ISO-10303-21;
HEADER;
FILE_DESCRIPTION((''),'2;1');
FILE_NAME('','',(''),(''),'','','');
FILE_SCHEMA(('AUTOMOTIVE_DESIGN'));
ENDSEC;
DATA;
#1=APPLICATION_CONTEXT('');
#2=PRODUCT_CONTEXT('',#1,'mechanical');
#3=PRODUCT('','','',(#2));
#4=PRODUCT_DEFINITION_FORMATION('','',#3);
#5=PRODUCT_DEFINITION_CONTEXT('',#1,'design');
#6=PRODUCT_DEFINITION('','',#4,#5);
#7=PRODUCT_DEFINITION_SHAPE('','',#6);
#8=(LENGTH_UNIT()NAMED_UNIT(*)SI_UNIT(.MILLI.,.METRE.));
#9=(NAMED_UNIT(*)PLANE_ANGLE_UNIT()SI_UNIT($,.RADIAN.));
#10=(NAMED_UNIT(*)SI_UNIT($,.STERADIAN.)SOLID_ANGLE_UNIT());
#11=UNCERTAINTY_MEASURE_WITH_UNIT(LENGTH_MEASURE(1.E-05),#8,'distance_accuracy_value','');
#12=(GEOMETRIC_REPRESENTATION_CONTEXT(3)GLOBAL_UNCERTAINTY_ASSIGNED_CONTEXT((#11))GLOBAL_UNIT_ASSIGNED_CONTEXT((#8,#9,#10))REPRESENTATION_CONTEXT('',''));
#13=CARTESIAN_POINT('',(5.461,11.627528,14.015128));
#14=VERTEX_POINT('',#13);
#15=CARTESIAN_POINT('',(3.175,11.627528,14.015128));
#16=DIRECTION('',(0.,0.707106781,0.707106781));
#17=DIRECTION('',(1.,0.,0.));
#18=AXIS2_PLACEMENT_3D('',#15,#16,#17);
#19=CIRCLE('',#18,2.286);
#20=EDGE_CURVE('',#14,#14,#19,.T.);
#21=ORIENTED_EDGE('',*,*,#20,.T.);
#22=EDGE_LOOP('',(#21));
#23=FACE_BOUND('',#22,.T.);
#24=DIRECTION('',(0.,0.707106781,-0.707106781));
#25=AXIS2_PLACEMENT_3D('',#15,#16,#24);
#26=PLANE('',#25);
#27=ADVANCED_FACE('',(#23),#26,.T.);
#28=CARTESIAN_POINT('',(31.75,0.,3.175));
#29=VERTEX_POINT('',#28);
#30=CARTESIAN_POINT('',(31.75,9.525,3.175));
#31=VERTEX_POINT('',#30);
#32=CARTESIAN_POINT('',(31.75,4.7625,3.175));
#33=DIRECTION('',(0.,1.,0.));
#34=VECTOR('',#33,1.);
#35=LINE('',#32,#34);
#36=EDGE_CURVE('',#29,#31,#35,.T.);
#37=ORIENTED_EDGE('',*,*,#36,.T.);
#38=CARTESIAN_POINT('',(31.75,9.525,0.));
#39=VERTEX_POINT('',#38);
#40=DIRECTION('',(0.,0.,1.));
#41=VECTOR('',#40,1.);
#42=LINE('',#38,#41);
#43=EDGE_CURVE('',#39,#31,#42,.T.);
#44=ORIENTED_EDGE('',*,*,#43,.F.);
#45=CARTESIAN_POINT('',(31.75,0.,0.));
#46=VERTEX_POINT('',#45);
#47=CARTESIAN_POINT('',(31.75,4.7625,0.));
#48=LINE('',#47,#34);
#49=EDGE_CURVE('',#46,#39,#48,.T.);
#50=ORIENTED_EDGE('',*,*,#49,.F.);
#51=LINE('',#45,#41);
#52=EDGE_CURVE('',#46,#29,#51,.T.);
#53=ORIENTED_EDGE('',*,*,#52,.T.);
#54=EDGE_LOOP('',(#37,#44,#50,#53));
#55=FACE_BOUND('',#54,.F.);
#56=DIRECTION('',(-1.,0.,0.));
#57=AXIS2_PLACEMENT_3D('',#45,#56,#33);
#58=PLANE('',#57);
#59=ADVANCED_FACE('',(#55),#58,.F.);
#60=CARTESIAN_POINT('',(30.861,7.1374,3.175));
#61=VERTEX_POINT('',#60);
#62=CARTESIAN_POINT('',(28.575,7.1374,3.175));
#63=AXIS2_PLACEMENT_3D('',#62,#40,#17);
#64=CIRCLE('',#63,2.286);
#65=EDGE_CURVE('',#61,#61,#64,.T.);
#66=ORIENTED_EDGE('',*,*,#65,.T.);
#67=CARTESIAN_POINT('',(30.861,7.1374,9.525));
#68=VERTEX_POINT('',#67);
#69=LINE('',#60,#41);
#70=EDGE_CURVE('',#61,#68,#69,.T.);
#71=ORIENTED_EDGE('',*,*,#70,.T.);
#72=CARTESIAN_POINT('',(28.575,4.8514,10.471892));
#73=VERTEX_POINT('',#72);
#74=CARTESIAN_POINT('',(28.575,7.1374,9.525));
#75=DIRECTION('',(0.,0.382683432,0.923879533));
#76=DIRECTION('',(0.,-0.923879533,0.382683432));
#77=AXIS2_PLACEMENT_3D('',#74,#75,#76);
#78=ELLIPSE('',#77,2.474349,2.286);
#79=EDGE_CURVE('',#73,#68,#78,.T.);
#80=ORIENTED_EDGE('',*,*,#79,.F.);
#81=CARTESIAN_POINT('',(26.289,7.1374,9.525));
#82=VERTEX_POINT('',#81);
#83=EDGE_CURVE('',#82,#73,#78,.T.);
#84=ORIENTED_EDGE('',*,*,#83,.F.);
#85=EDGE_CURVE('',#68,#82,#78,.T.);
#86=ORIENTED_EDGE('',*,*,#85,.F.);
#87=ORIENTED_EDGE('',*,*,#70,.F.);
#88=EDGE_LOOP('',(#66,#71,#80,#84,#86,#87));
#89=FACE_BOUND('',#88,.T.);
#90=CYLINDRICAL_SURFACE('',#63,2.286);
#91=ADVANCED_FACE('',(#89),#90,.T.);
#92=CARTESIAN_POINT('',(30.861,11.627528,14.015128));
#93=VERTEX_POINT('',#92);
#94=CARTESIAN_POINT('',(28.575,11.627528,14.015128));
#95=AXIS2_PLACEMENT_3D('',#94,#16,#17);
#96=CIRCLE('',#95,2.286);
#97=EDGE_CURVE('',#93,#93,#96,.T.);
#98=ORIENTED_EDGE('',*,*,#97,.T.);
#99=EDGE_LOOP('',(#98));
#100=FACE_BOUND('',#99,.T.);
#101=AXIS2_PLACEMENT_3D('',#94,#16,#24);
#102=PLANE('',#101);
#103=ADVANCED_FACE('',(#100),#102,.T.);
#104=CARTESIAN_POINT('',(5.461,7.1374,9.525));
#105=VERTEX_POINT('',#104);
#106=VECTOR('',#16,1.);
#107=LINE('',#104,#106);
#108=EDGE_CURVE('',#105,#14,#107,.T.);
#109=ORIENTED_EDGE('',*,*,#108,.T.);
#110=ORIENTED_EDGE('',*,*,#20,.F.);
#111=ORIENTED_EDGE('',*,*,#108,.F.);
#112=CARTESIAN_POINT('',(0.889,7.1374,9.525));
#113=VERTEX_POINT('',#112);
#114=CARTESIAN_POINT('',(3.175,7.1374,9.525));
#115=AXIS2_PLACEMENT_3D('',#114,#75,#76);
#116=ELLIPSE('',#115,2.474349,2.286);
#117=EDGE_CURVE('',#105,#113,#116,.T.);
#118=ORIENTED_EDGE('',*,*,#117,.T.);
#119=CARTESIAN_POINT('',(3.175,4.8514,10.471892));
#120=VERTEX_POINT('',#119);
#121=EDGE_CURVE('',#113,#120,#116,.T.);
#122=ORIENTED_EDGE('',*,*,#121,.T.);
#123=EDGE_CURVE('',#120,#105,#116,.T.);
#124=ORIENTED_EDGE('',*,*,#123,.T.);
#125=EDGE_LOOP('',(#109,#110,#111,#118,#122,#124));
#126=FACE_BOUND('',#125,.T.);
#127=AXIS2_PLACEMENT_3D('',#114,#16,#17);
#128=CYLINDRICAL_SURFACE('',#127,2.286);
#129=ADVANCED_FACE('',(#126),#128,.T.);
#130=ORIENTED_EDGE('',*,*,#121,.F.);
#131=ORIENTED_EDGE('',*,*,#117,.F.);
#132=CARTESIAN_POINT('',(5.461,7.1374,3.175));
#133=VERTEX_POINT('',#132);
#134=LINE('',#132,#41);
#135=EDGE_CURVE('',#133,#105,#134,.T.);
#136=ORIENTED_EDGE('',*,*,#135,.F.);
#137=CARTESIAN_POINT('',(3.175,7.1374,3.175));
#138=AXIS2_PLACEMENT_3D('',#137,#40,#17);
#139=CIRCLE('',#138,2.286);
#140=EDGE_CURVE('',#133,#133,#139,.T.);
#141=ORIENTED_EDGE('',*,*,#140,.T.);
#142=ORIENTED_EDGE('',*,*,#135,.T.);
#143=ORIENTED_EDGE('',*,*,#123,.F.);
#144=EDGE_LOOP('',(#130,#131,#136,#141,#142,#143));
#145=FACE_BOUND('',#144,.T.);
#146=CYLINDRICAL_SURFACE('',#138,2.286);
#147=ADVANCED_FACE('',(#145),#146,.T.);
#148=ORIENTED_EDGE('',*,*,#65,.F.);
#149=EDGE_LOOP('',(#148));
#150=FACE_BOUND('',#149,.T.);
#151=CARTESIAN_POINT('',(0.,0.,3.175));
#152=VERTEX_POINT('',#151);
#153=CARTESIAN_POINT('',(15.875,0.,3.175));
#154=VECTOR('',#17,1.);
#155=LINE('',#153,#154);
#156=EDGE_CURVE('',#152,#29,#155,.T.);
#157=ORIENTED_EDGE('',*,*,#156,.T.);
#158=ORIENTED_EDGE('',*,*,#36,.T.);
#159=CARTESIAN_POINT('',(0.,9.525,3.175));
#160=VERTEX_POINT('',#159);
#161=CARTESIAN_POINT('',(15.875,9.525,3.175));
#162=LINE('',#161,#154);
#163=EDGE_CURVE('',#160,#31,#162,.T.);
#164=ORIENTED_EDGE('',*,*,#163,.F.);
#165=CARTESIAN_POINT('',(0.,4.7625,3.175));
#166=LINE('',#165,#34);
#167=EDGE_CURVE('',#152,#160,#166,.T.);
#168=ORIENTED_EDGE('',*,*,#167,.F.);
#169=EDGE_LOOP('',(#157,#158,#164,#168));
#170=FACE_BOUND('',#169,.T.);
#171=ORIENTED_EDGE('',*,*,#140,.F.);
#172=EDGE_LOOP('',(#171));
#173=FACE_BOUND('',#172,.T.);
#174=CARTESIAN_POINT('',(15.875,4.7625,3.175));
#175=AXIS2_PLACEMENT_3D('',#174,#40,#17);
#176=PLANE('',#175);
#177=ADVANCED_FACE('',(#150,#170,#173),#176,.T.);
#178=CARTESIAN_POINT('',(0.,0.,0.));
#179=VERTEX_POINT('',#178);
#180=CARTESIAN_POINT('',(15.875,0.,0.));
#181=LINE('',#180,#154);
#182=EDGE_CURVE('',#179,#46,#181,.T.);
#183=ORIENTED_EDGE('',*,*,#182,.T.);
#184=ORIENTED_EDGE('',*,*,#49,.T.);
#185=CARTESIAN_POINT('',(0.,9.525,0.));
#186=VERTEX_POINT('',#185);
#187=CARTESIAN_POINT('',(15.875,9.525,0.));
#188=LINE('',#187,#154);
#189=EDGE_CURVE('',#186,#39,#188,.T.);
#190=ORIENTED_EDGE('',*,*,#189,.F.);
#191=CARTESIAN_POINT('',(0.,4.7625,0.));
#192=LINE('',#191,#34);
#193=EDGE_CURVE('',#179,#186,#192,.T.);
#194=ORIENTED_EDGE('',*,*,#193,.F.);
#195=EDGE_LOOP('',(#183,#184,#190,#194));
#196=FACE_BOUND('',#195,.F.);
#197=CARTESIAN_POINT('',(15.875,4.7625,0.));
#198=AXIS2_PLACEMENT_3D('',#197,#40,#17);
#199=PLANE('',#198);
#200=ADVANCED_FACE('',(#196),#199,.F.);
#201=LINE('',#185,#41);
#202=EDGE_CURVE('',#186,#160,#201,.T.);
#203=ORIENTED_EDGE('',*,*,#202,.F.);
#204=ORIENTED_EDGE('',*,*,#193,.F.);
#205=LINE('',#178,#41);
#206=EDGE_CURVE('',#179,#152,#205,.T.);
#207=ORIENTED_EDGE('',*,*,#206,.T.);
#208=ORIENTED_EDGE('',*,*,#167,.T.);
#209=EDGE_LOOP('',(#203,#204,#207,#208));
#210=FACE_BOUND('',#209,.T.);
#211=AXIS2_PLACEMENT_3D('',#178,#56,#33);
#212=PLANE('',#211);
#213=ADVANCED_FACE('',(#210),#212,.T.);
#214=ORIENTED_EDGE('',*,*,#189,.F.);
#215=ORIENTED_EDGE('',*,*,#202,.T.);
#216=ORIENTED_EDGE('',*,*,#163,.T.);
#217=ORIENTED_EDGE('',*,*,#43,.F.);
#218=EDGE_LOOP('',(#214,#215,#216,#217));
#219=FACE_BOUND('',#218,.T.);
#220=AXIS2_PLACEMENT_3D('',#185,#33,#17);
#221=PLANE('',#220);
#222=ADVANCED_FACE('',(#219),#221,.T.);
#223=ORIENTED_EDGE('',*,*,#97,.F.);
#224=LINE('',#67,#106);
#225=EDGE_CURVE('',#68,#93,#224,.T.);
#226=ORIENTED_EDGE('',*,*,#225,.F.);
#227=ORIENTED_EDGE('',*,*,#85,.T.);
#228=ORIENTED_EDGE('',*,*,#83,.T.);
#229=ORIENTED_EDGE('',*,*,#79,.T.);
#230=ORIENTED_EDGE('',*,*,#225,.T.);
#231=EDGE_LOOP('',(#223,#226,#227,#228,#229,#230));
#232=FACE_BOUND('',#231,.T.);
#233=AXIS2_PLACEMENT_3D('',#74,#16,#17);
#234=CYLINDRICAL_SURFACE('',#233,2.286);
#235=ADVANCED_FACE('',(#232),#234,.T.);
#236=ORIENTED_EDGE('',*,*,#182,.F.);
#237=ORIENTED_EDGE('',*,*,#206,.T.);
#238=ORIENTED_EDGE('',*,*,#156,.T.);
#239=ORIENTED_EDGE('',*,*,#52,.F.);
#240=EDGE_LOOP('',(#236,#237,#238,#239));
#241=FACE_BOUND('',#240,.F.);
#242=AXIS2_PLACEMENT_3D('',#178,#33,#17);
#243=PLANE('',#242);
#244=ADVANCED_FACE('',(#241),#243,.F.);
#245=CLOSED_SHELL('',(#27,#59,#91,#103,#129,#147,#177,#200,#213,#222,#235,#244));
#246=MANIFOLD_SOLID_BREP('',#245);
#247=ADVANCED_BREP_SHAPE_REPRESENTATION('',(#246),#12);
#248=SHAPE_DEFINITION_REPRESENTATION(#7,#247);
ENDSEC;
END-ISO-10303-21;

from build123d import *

# Parameters (mm, degrees)
F0_W     = 31.75
F0_H     = 9.525
F1_DEPTH = 3.175
F4_R     = 2.286
F8_R     = 2.286


with BuildPart() as f1:
    # F0 (on Top) → F1 (new body)
    with BuildSketch(Plane.XY):
        with Locations((15.875, 4.7625)):
            Rectangle(F0_W, F0_H)
    extrude(amount=F1_DEPTH)

    # F5: sweep along a path in F3
    with BuildLine(Plane.YZ.offset(28.575)) as f5_path:
        Line((7.1374, 3.175), (7.1374, 9.525))
        Line((7.1374, 9.525), (11.6275280605, 14.0151280605))
    # F4 (on face) → F5 (sweep)
    with BuildSketch(Plane.XY.offset(3.175)):
        with Locations((28.575, 7.1374)):
            Circle(F4_R)
    sweep(path=f5_path.line, transition=Transition.RIGHT)

    # F9: sweep along a path in F7
    with BuildLine(Plane.YZ.offset(3.175)) as f9_path:
        Line((7.1374, 3.175), (7.1374, 9.525))
        Line((7.1374, 9.525), (11.6275280605, 14.0151280605))
    # F8 (on face) → F9 (sweep)
    with BuildSketch(Plane.XY.offset(3.175)):
        with Locations((3.175, 7.1374)):
            Circle(F8_R)
    sweep(path=f9_path.line, transition=Transition.RIGHT)


solid = f1.part
